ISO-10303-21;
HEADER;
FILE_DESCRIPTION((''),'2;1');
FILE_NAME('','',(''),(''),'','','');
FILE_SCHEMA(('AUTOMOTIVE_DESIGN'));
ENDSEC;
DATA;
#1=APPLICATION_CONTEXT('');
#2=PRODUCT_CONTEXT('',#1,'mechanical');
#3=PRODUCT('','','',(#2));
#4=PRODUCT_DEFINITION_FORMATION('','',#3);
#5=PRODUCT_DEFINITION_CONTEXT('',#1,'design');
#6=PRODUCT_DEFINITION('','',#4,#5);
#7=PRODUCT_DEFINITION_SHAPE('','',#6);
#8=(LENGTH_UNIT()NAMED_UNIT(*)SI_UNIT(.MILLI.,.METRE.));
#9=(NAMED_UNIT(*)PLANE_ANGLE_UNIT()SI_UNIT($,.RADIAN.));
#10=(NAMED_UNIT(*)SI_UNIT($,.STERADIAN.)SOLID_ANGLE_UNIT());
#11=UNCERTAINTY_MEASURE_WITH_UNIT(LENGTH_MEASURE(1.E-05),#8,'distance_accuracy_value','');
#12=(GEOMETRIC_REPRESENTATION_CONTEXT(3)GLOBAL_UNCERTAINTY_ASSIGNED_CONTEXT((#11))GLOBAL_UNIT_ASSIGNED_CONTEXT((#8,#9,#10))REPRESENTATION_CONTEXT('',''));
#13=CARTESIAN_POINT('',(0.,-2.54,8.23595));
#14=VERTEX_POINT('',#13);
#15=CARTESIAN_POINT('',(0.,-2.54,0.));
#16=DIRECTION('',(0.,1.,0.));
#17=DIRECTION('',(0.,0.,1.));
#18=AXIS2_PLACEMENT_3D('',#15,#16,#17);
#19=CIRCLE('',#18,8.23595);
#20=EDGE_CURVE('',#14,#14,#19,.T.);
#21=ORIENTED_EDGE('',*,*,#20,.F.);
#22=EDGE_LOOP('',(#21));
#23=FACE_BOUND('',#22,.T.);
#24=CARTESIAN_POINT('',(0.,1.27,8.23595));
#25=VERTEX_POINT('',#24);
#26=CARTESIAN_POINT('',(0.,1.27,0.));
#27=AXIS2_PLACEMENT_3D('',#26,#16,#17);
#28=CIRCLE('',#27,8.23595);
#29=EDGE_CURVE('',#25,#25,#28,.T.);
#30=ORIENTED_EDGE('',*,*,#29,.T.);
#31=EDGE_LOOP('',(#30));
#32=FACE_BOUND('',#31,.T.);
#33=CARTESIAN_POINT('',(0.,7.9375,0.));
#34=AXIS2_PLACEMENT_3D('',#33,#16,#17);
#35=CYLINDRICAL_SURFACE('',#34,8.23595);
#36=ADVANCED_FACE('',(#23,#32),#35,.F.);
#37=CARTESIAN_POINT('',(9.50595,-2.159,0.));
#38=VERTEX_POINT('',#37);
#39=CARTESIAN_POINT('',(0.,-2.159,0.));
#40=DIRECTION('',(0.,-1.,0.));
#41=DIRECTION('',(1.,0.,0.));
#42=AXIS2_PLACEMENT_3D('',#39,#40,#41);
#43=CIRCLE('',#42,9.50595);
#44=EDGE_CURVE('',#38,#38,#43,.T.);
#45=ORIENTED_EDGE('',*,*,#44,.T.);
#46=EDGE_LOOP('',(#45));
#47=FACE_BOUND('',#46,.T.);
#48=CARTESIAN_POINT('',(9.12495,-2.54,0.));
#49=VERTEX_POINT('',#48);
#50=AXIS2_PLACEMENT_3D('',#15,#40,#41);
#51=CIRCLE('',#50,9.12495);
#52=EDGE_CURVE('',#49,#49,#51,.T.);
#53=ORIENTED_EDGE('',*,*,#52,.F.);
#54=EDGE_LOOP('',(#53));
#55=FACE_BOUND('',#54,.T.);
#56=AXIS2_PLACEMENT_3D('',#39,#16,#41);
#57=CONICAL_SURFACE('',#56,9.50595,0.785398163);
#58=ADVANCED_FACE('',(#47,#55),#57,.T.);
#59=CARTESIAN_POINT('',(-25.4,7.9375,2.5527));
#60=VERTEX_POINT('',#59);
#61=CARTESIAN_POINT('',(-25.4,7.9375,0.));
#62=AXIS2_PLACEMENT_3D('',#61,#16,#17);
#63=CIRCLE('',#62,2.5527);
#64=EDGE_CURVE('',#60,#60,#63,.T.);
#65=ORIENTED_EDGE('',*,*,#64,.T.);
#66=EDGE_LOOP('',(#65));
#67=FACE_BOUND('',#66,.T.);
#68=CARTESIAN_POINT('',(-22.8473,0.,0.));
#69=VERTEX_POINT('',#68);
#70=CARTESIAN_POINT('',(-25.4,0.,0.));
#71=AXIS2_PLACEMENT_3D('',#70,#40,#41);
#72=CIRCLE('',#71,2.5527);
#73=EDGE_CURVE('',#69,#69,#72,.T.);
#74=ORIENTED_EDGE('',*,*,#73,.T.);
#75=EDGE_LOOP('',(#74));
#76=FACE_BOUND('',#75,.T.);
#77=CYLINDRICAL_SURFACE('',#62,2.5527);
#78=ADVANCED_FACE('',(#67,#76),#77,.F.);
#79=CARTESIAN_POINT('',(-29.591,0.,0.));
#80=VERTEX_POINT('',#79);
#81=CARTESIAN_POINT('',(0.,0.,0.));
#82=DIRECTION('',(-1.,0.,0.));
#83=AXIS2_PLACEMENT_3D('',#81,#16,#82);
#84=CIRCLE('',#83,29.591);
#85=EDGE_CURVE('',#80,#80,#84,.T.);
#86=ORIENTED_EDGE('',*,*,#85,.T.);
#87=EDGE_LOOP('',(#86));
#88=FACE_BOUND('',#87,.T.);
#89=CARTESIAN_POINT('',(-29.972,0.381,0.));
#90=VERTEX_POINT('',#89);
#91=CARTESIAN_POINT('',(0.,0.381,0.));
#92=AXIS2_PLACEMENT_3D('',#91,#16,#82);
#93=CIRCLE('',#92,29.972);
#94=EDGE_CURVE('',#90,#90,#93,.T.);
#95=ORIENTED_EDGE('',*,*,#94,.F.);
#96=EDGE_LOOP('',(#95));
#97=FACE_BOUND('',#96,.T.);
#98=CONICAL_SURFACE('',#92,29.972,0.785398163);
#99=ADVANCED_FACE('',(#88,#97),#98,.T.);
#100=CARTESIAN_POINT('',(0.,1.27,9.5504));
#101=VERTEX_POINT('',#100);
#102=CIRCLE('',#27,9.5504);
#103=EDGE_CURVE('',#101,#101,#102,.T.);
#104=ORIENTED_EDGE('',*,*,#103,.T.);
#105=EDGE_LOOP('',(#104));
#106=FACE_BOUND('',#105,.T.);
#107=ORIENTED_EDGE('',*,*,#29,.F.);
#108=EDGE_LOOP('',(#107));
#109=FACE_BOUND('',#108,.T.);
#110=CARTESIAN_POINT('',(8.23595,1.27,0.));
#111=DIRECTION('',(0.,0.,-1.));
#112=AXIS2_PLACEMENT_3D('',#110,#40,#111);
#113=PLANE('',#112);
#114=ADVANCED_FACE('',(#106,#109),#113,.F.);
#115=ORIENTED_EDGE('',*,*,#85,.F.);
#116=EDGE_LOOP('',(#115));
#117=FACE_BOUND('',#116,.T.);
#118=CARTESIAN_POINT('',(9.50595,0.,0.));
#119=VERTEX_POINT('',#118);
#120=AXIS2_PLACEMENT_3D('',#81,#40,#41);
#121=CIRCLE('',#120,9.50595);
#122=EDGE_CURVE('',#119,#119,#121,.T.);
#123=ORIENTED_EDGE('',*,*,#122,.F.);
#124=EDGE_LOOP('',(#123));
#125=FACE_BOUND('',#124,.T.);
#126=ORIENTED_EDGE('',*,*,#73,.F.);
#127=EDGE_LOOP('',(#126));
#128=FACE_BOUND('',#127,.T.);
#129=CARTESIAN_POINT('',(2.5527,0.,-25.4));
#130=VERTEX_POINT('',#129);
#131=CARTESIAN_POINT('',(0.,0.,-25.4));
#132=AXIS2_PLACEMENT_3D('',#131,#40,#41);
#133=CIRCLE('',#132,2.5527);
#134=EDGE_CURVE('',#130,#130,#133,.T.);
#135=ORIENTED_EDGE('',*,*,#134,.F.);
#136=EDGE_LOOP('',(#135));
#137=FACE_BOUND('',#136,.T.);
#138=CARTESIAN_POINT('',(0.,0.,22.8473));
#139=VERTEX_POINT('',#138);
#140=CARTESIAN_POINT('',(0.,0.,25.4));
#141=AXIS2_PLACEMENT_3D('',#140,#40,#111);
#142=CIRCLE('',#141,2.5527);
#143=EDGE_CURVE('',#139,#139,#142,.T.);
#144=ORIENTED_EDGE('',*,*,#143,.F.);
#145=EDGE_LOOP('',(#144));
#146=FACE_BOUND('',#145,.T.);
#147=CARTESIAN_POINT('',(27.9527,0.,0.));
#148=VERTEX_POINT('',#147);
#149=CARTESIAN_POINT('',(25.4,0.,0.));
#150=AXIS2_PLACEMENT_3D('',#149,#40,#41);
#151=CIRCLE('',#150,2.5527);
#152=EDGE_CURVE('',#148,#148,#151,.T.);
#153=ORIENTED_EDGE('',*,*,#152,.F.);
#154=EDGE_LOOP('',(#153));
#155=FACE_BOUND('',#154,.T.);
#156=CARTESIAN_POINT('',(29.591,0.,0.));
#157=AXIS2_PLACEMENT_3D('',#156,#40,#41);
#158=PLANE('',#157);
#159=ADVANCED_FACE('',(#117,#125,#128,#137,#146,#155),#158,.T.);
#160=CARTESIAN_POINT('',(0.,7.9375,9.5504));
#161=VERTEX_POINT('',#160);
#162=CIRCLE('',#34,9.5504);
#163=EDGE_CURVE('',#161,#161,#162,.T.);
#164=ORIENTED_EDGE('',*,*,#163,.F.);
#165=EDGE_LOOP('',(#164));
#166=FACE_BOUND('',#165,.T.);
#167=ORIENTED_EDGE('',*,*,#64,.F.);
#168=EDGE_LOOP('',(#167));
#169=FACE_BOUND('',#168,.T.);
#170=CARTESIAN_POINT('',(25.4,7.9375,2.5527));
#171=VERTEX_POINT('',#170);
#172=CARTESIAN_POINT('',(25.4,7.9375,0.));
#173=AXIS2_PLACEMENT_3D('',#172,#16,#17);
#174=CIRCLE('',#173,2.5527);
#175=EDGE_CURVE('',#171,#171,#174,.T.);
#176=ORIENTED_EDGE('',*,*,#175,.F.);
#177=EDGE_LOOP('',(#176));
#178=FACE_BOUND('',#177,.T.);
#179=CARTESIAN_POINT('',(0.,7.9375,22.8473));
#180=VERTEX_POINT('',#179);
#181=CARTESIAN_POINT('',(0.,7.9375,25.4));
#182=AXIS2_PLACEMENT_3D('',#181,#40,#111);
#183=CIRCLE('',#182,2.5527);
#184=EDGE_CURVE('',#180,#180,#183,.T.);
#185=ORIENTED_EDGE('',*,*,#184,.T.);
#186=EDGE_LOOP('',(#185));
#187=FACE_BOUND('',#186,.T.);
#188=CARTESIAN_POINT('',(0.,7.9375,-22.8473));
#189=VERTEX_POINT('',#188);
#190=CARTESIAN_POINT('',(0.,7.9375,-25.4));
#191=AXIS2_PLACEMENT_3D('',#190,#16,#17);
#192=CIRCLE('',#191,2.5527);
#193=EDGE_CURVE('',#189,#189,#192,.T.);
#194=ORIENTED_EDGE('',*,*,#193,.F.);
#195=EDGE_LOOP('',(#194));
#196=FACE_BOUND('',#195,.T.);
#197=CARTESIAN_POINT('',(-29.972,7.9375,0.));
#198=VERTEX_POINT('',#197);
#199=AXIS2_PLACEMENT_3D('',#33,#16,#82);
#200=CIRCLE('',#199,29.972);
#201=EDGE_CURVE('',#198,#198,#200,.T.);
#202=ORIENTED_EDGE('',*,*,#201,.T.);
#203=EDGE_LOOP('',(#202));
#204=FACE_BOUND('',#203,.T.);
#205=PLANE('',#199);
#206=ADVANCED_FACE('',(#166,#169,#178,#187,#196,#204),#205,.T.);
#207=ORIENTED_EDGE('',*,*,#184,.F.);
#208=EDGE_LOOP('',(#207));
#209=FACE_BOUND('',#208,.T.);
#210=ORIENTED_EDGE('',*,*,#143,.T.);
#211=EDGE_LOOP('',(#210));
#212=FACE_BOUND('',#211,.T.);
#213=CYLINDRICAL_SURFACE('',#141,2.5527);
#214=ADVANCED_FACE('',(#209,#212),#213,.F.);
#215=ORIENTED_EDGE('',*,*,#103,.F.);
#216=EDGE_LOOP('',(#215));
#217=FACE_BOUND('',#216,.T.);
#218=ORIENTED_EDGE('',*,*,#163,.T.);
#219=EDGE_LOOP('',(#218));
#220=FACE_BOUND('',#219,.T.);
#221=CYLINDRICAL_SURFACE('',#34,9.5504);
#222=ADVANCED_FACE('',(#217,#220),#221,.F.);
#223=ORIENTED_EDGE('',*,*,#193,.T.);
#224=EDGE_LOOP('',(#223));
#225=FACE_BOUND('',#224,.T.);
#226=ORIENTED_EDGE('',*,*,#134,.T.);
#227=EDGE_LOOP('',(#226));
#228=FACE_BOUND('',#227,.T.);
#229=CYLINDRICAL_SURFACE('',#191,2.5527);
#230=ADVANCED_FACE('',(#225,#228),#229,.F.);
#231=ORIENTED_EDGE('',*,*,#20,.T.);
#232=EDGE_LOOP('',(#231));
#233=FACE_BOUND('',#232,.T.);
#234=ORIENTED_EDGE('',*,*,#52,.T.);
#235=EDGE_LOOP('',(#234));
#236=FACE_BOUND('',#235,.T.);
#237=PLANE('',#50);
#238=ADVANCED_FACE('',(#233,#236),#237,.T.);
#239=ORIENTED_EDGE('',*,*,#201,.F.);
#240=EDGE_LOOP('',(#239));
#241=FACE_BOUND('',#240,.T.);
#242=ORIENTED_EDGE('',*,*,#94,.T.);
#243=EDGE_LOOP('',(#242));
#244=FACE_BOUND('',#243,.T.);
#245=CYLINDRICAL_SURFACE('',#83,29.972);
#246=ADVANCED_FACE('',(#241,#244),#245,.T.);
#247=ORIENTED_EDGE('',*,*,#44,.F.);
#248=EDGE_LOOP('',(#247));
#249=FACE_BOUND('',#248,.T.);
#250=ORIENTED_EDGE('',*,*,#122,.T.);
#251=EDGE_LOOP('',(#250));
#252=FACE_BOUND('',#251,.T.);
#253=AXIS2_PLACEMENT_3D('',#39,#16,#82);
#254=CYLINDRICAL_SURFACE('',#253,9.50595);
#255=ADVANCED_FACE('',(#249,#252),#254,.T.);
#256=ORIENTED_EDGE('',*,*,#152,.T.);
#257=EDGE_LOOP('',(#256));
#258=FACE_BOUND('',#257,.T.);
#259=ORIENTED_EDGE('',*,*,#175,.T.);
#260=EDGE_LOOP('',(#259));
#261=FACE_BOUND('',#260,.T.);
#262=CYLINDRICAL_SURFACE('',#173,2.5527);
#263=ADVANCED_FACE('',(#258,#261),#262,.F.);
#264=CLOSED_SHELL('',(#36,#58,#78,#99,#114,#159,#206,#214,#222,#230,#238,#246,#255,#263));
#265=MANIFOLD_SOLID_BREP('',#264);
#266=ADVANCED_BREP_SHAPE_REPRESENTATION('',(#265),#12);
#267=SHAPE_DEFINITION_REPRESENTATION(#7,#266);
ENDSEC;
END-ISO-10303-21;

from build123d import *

# Parameters (mm, degrees)
SKETCH2_R                                = 9.50595
BOSS_EXTRUDE1_DEPTH                      = 2.159
SKETCH3_R                                = 9.50595
BOSS_EXTRUDE2_DEPTH                      = 0.381
BOSS_EXTRUDE2_TAPER                      = 45
HOLE1_D                                  = 5.1054
HOLE1_DEPTH                              = 7.9375
HOLE2_D                                  = 5.1054
HOLE2_DEPTH                              = 10.4775
CBORE_FOR_M14_HEX_HEAD_BOLT1_D           = 16.4719
CBORE_FOR_M14_HEX_HEAD_BOLT1_DEPTH       = 10.4775
CBORE_FOR_M14_HEX_HEAD_BOLT1_CBORE_D     = 19.1008
CBORE_FOR_M14_HEX_HEAD_BOLT1_CBORE_DEPTH = 6.6675


with BuildPart() as part:
    # Sketch1 → Revolve1 (revolve)
    with BuildSketch(Plane(origin=(0, 0, 0), x_dir=(-1, 0, 0), z_dir=(0, 0, -1))):
        Polygon((-29.591, 0), (0, 0), (0, 7.9375), (-29.972, 7.9375), (-29.972, 0.381), align=None)
    revolve(axis=Axis((0, 0, 0), (0, 1, 0)))

    # Sketch2 → Boss-Extrude1 (add)
    with BuildSketch(Plane.XZ):
        Circle(SKETCH2_R)
    extrude(amount=BOSS_EXTRUDE1_DEPTH)

    # Sketch3 → Boss-Extrude2 (add)
    with BuildSketch(Plane.XZ.offset(2.159)):
        Circle(SKETCH3_R)
    extrude(amount=BOSS_EXTRUDE2_DEPTH, taper=BOSS_EXTRUDE2_TAPER)

    # Hole1
    with Locations(Plane(origin=(0, 0, 0), x_dir=(-1, 0, 0), z_dir=(0, -1, 0))):
        with Locations((0, -25.4)):
            Hole(HOLE1_D / 2, depth=HOLE1_DEPTH)

    # Hole2
    with Locations(Plane(origin=(0, 7.9375, 0), x_dir=(1, 0, 0), z_dir=(0, 1, 0))):
        with Locations((0, 25.4), (25.4, 0), (-25.4, 0)):
            Hole(HOLE2_D / 2, depth=HOLE2_DEPTH)

    # CBORE for M14 Hex Head Bolt1
    with Locations(Plane(origin=(0, 7.9375, 0), x_dir=(1, 0, 0), z_dir=(0, 1, 0))):
        with Locations((0, 0)):
            CounterBoreHole(CBORE_FOR_M14_HEX_HEAD_BOLT1_D / 2, CBORE_FOR_M14_HEX_HEAD_BOLT1_CBORE_D / 2, CBORE_FOR_M14_HEX_HEAD_BOLT1_CBORE_DEPTH, depth=CBORE_FOR_M14_HEX_HEAD_BOLT1_DEPTH)


solid = part.part
